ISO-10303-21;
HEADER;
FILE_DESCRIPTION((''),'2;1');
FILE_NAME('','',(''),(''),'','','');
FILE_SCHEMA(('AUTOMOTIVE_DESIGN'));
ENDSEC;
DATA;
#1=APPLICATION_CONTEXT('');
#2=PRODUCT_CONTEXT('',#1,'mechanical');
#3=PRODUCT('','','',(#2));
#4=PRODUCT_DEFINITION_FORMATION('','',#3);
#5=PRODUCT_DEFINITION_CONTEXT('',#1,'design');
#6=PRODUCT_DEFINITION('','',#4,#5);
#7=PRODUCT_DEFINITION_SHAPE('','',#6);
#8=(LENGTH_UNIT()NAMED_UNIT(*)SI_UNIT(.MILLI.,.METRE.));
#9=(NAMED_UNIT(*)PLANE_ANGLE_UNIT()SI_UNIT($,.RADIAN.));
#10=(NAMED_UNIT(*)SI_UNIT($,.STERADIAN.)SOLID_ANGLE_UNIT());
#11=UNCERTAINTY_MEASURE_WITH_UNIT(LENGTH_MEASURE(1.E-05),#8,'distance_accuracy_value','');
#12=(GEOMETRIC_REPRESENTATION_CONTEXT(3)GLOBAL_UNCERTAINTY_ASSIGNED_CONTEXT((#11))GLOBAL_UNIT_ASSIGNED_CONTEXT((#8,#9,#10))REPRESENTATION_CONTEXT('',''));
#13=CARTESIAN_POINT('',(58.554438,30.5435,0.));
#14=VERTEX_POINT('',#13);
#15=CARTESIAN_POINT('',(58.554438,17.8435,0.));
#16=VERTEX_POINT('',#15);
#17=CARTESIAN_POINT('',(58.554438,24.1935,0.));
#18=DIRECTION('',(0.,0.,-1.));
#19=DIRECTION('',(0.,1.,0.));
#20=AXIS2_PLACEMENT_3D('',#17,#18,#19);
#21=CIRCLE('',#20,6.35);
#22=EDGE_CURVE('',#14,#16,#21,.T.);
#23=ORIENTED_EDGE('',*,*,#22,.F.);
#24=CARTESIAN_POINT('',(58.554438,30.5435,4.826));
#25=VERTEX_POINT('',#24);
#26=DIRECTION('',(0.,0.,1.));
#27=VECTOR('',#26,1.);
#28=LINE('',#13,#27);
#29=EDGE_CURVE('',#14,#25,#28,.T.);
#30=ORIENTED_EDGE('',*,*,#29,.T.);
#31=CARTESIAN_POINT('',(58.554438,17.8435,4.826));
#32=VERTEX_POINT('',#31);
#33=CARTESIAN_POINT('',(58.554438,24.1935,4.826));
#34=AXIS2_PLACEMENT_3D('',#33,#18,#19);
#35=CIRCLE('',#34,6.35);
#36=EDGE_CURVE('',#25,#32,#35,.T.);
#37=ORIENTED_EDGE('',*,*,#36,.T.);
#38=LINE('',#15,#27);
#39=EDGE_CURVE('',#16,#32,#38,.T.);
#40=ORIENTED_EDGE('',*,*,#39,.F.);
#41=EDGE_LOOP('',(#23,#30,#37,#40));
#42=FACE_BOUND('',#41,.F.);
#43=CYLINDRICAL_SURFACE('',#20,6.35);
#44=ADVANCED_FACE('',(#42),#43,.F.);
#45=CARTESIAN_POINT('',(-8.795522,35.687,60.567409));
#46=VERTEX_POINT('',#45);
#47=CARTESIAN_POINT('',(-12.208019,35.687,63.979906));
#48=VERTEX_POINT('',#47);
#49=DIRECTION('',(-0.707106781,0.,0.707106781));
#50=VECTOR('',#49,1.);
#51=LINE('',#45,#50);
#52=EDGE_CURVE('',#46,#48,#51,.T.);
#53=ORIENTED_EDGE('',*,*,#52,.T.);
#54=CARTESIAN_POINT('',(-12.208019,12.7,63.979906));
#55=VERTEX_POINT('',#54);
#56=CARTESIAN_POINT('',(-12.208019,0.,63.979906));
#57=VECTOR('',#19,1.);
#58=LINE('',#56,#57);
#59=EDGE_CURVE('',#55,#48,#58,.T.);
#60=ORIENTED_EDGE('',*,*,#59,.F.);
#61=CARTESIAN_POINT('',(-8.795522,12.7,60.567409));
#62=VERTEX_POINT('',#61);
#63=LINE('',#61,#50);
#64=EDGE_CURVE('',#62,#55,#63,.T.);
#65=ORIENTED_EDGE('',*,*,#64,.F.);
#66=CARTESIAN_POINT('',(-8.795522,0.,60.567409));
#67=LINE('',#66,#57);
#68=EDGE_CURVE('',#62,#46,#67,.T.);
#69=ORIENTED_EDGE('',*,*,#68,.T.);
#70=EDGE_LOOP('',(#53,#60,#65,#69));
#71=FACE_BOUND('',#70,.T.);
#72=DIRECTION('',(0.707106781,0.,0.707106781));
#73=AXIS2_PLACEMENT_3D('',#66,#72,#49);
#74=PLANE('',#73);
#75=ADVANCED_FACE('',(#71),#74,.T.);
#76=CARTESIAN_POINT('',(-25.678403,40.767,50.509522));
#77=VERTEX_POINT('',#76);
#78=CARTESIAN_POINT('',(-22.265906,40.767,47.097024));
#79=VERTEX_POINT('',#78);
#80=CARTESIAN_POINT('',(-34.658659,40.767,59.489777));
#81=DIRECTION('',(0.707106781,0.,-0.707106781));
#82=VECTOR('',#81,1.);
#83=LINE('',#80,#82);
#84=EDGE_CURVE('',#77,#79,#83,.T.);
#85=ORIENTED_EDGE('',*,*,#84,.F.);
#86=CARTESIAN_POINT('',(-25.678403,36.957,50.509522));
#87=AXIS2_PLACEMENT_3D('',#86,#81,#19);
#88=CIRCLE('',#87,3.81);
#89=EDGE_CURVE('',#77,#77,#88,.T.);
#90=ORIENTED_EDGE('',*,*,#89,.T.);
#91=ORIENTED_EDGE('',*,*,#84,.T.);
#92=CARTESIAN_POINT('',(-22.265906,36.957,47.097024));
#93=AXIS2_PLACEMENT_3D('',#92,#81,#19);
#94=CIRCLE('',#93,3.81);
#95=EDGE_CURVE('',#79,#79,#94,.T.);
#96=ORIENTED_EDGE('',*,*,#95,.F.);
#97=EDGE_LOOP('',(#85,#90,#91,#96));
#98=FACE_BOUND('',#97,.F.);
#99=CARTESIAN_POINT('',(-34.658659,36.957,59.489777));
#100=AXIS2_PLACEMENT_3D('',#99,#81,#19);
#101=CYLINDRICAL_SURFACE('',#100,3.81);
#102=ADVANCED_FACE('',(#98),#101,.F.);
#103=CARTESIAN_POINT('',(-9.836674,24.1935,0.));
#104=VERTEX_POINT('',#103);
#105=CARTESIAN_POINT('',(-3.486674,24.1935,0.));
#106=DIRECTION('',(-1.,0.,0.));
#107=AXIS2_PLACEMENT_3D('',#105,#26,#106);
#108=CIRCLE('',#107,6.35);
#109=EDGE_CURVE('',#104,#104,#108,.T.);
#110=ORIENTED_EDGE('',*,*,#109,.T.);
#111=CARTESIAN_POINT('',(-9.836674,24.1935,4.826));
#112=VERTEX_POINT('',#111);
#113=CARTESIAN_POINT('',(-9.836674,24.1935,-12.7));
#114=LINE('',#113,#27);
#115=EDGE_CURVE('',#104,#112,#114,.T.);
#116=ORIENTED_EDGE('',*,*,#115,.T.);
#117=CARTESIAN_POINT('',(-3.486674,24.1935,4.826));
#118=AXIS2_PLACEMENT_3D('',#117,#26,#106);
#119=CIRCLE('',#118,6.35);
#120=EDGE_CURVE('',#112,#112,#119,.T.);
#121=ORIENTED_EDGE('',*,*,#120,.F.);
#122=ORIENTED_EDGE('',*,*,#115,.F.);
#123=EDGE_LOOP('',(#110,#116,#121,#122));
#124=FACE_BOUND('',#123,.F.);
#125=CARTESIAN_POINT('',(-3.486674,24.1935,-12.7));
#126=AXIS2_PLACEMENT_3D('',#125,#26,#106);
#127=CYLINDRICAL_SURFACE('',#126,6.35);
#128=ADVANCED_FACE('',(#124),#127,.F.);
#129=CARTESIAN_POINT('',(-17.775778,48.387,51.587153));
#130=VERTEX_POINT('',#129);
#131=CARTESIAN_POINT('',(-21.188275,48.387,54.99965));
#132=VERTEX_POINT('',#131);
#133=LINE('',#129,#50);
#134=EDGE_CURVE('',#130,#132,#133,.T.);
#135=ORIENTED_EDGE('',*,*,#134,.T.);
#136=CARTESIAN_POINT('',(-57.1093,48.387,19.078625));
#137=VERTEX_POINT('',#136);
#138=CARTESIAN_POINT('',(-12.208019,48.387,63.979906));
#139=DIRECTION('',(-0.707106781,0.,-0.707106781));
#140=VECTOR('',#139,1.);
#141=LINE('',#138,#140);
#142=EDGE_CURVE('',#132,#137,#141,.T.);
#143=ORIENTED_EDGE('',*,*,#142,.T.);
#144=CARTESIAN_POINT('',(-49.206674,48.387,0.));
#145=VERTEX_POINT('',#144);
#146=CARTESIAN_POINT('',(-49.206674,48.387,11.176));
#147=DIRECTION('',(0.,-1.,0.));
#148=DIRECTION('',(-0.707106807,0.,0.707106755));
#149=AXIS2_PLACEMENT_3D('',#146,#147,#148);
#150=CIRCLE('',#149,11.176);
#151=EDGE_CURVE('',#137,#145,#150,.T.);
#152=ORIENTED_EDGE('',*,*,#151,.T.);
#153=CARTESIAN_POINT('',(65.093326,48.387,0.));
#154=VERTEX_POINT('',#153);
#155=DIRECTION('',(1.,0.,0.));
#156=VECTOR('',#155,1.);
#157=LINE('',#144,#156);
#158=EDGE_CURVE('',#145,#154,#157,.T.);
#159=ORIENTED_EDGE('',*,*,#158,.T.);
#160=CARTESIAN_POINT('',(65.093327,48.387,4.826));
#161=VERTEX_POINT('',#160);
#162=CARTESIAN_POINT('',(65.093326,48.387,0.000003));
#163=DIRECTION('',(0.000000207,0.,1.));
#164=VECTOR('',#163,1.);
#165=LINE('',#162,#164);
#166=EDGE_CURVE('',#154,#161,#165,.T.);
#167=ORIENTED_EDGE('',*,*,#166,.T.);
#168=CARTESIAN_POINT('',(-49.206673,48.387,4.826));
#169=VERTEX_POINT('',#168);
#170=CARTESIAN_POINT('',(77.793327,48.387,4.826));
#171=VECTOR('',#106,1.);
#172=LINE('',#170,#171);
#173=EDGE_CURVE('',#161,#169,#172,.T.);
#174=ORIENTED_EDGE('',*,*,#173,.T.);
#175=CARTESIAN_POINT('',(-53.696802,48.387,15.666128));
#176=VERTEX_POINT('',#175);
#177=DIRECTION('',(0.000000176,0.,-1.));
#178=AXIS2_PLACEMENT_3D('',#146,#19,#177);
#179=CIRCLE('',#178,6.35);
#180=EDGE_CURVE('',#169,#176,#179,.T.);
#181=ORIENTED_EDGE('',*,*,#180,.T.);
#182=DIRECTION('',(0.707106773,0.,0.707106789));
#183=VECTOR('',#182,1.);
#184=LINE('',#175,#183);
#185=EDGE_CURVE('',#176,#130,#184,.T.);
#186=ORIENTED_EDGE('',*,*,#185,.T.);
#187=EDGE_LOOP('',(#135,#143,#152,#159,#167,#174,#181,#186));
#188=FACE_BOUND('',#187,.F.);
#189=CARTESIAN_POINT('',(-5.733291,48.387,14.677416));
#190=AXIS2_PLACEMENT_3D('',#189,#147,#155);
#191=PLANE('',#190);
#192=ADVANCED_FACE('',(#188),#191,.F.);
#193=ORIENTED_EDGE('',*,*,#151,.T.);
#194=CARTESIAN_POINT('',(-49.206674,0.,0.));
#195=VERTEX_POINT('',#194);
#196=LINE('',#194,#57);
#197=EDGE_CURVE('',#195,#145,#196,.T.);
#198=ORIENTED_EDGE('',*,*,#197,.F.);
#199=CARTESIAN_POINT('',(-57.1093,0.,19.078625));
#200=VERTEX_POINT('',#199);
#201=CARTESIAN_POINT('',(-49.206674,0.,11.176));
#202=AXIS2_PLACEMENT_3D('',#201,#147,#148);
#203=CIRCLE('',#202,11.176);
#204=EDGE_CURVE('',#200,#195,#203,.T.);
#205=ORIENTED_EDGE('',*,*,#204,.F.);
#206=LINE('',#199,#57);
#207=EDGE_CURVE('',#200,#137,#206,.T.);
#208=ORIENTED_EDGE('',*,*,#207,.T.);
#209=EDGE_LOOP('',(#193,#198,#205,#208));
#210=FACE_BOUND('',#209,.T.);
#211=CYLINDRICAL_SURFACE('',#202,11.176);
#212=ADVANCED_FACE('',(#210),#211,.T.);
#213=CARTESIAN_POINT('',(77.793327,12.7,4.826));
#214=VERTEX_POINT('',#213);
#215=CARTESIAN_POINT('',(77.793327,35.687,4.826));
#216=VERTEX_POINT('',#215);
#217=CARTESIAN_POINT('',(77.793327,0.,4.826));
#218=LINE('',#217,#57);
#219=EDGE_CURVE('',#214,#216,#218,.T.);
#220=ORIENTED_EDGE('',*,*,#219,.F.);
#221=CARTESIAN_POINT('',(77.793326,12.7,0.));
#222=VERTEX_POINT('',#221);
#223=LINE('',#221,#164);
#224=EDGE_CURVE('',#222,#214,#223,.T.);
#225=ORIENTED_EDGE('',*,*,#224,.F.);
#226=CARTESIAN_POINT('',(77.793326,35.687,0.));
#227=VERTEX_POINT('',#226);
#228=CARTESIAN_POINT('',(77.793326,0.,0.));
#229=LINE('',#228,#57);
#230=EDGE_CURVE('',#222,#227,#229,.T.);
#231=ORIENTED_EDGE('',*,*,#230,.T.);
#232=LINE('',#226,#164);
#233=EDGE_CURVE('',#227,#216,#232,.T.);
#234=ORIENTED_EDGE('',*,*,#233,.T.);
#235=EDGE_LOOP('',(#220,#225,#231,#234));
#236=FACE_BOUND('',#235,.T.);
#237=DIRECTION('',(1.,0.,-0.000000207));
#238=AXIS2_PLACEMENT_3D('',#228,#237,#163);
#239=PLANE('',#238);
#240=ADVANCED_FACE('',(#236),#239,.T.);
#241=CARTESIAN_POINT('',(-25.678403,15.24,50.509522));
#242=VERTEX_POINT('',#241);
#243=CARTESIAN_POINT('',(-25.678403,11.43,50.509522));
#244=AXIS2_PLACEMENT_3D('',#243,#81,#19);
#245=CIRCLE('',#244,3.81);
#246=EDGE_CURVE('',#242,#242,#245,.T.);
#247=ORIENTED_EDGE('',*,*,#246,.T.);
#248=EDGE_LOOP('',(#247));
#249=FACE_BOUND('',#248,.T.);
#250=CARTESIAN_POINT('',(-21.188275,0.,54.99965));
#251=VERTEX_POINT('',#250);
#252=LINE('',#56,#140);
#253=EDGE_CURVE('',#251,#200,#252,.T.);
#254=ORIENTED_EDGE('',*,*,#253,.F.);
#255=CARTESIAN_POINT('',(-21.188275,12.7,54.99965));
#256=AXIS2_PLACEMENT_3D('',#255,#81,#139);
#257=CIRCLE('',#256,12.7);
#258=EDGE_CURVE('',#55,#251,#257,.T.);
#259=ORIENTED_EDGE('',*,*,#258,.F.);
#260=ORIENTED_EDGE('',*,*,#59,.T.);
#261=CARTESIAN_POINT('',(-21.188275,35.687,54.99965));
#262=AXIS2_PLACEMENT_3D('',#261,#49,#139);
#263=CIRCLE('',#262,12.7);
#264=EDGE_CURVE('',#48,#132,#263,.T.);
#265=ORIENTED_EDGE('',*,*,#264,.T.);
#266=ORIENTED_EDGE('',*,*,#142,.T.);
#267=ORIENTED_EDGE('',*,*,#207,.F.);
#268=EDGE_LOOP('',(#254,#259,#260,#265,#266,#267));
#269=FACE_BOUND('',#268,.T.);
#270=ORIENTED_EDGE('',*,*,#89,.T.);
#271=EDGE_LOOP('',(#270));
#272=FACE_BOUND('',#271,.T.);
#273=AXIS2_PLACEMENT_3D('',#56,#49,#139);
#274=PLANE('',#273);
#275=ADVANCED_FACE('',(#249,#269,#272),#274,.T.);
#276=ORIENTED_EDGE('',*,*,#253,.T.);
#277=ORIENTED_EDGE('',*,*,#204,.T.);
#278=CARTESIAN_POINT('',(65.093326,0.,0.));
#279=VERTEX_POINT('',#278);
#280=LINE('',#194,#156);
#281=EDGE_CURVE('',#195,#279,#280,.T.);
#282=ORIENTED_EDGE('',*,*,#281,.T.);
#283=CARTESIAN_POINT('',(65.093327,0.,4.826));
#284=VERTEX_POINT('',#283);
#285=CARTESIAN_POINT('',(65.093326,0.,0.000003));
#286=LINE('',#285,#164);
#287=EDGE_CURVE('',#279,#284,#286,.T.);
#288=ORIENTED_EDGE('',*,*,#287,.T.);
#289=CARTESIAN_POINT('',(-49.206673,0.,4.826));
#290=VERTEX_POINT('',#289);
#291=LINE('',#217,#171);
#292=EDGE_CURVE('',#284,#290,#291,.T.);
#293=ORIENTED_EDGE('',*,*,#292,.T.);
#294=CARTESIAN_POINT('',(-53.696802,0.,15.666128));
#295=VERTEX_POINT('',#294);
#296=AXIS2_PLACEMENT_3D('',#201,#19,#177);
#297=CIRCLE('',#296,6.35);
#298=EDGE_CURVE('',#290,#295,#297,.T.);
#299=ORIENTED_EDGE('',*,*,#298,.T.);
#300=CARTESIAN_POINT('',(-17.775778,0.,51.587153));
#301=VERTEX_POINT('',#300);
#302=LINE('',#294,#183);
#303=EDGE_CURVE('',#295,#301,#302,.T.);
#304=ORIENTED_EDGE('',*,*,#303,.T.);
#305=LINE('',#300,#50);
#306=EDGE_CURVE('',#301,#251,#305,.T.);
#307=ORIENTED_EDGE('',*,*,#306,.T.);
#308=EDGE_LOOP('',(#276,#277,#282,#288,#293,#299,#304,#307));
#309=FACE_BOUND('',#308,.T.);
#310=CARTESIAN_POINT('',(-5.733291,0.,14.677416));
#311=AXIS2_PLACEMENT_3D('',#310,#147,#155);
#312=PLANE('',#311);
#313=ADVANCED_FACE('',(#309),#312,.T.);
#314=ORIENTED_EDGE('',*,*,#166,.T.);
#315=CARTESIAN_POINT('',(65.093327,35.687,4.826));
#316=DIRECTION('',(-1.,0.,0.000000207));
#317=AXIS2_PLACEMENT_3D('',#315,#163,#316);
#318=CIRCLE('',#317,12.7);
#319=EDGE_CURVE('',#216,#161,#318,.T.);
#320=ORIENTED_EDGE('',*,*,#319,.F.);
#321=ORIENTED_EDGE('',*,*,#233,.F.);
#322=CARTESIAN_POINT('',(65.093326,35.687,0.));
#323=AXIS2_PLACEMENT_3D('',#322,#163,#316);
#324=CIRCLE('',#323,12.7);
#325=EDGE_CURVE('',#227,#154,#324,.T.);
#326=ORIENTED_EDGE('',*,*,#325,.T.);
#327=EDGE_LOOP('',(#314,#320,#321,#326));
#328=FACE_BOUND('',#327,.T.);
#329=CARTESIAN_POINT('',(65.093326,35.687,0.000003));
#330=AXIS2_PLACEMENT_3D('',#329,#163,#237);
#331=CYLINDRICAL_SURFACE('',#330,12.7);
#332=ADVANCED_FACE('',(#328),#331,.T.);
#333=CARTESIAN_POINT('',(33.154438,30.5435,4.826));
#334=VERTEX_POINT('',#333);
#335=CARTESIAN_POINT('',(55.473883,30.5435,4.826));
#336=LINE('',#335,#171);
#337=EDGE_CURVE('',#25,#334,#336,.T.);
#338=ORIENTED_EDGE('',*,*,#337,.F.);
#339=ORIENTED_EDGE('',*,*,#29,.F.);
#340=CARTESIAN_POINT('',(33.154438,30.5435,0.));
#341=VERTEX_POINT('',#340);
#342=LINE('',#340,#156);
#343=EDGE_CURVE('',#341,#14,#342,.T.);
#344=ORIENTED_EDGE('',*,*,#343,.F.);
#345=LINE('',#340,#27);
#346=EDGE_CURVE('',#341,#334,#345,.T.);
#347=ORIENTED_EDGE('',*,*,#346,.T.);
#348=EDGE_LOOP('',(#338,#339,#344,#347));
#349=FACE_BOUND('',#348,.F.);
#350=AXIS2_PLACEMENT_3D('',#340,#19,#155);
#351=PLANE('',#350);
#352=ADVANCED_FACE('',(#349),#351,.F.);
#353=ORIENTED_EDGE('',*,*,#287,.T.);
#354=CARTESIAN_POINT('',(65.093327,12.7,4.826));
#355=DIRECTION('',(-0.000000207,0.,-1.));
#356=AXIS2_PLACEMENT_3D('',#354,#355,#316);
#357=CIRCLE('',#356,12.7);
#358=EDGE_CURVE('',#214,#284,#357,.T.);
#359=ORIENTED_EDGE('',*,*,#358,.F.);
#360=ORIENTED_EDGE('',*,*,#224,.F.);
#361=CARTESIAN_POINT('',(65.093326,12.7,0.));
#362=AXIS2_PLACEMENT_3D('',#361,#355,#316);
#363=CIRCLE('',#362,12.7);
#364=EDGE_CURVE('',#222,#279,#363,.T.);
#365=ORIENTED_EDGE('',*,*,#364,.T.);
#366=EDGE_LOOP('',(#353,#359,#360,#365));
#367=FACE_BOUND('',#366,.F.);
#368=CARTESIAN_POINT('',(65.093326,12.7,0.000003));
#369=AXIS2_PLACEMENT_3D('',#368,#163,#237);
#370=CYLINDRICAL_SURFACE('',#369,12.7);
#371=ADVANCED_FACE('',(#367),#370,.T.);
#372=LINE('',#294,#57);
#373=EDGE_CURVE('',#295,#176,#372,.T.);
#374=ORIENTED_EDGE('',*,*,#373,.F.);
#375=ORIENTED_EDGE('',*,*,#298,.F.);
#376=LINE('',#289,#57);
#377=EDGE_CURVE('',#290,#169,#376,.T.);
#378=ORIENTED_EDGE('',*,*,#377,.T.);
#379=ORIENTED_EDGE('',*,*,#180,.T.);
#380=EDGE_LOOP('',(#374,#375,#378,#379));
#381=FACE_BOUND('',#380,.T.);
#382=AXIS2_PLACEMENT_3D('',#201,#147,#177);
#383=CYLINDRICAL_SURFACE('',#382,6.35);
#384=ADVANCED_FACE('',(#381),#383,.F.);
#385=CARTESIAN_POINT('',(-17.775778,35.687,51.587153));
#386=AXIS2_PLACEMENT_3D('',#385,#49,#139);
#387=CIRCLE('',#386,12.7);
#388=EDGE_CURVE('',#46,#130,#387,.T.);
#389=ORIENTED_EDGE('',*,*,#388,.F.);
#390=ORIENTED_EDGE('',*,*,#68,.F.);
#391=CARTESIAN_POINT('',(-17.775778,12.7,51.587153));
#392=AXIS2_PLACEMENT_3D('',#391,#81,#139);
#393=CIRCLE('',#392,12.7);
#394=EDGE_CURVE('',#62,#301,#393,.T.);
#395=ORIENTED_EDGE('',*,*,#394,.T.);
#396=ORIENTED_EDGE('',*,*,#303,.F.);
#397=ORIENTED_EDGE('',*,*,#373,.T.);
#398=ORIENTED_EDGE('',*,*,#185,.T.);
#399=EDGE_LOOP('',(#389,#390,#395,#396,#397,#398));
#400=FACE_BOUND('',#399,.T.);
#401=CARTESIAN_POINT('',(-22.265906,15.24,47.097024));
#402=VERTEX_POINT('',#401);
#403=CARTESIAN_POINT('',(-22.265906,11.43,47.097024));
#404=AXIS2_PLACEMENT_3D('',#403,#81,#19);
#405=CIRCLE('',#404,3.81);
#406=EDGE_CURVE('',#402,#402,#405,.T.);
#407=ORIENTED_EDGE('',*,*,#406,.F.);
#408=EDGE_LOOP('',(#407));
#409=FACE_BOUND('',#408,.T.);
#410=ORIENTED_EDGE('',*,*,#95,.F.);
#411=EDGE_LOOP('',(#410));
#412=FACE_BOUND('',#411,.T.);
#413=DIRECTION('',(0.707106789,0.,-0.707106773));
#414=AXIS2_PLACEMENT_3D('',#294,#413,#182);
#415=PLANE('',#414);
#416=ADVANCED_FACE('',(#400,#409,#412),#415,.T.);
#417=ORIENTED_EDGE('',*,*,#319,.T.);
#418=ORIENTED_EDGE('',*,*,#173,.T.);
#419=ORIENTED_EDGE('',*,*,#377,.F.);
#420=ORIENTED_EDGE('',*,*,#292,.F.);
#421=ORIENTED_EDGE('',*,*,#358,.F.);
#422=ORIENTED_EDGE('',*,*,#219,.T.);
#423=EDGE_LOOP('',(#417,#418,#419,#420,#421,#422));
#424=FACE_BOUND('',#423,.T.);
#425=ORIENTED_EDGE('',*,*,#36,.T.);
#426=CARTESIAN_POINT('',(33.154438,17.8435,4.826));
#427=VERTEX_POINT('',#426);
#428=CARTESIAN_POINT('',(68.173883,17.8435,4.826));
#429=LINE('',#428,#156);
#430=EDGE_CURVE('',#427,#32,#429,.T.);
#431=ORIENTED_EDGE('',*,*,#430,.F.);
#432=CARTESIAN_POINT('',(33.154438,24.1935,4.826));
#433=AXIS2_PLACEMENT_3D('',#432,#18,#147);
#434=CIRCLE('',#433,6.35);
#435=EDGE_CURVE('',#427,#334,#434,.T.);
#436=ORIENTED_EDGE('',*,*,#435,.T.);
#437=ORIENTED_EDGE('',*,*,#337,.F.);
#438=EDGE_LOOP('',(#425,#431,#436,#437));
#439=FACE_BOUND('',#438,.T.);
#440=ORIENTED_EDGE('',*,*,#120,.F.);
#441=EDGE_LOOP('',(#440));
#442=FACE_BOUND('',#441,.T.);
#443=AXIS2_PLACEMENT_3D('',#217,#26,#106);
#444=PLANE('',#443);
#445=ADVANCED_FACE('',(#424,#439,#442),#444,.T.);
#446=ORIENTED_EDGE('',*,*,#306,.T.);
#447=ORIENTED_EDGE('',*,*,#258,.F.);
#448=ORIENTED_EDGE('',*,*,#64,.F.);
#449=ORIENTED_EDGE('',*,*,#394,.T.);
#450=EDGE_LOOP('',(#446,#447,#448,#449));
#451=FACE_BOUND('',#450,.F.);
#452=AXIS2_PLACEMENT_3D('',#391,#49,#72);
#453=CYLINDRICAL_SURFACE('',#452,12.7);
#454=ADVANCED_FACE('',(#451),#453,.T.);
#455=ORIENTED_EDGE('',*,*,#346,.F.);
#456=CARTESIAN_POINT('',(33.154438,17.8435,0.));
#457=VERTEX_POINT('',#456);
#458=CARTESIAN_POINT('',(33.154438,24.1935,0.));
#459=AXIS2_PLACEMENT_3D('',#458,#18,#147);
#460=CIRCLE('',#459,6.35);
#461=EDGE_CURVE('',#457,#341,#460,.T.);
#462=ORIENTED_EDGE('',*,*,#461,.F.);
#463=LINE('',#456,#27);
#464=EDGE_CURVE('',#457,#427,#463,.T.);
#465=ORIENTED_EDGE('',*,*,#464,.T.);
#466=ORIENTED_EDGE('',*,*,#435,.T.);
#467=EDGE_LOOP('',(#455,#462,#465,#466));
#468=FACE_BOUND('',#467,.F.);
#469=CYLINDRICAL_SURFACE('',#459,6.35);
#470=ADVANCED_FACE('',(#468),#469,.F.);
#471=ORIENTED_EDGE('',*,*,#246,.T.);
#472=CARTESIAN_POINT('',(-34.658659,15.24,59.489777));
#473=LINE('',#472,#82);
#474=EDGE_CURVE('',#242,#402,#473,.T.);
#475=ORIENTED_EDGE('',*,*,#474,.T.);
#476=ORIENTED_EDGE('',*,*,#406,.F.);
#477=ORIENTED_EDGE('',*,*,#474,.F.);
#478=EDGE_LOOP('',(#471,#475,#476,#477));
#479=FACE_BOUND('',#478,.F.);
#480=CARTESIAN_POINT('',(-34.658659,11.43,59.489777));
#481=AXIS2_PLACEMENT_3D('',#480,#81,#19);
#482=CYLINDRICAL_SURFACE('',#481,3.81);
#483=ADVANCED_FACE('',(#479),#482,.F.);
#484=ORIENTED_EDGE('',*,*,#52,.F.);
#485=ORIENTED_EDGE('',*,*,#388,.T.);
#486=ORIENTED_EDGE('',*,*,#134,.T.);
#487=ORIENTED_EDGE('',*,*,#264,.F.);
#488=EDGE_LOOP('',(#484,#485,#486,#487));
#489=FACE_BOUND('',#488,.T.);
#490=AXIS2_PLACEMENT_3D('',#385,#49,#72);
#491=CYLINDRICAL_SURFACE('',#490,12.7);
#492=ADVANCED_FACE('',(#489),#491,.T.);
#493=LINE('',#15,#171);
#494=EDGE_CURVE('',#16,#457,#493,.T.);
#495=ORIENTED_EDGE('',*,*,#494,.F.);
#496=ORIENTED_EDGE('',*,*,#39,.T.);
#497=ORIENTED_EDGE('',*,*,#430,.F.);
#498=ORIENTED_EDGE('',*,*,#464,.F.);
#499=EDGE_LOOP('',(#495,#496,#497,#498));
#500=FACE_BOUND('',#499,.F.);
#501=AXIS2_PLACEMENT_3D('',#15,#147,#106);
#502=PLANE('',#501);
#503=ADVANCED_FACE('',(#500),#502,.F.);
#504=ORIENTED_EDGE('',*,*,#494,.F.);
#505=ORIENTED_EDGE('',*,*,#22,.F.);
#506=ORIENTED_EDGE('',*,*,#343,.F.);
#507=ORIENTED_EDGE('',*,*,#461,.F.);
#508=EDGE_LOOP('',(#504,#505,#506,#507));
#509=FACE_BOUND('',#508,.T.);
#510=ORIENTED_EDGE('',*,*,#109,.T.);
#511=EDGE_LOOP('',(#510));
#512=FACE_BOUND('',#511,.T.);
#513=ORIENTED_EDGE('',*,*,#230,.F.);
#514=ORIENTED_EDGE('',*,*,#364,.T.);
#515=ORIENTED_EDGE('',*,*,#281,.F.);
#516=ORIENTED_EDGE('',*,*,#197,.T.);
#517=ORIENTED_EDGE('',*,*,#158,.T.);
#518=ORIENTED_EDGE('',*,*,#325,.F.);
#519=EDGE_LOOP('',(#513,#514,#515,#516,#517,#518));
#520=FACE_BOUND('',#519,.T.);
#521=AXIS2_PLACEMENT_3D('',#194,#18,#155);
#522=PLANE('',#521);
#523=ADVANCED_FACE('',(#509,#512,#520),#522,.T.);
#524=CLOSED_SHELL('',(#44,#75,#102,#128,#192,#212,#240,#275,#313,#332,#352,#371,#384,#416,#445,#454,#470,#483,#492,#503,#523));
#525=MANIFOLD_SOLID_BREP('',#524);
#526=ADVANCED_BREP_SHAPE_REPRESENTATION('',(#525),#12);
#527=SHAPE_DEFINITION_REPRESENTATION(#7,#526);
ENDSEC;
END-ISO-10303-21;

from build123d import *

# Parameters (mm, degrees)
F1_DEPTH = 48.387
F2_R     = 12.7
F4_D     = 7.62
F4_DEPTH = 12.7
F6_D     = 12.7
F6_DEPTH = 12.7
F7_DEPTH = 63.980906


with BuildPart() as f1:
    # F0 (on Front) → F1 (new body)
    with BuildSketch(Plane.XZ):
        with BuildLine():
            Line((-49.206674, 0), (77.793326, 0))
            Line((77.793326, 0), (77.793327, 4.826))
            Line((77.793327, 4.826), (-49.206673, 4.826))
            ThreePointArc((-49.206673, 4.826), (-55.073309, 8.74596), (-53.696802, 15.666128))
            Line((-53.696802, 15.666128), (-8.795522, 60.567409))
            Line((-8.795522, 60.567409), (-12.208019, 63.979906))
            Line((-12.208019, 63.979906), (-57.1093, 19.078625))
            ThreePointArc((-57.1093, 19.078625), (-59.531952, 6.89913), (-49.206674, 0))
        make_face()
    extrude(amount=-F1_DEPTH)

    # F2
    f2_edges = [f1.edges().sort_by_distance(p)[0] for p in [
        (-10.50177, 48.387, 62.273657),
        (-10.50177, 0, 62.273657),
        (77.793327, 0, 2.413),
        (77.793327, 48.387, 2.413),
    ]]
    fillet(f2_edges, radius=F2_R)

    # F4
    with Locations(Plane(origin=(-38.093962, 0, 38.093962), x_dir=(0, -1, 0), z_dir=(-0.707107, 0, 0.707107))):
        with Locations((-36.957, 17.558252), (-11.43, 17.558252)):
            Hole(F4_D / 2, depth=F4_DEPTH)

    # F6
    with Locations(Plane(origin=(0, 0, 0), x_dir=(1, 0, 0), z_dir=(0, 0, -1))):
        with Locations((-3.486674, -24.1935)):
            Hole(F6_D / 2, depth=F6_DEPTH)

    # F5 (on face) → F7 (cut, through all)
    with BuildSketch(Plane(origin=(0, 0, 0), x_dir=(1, 0, 0), z_dir=(0, 0, -1))):
        with BuildLine():
            Line((58.554438, -17.8435), (33.154438, -17.8435))
            ThreePointArc((33.154438, -17.8435), (26.804438, -24.1935), (33.154438, -30.5435))
            Line((33.154438, -30.5435), (58.554438, -30.5435))
            ThreePointArc((58.554438, -30.5435), (64.904438, -24.1935), (58.554438, -17.8435))
        make_face()
    extrude(amount=-F7_DEPTH, mode=Mode.SUBTRACT)


solid = f1.part
